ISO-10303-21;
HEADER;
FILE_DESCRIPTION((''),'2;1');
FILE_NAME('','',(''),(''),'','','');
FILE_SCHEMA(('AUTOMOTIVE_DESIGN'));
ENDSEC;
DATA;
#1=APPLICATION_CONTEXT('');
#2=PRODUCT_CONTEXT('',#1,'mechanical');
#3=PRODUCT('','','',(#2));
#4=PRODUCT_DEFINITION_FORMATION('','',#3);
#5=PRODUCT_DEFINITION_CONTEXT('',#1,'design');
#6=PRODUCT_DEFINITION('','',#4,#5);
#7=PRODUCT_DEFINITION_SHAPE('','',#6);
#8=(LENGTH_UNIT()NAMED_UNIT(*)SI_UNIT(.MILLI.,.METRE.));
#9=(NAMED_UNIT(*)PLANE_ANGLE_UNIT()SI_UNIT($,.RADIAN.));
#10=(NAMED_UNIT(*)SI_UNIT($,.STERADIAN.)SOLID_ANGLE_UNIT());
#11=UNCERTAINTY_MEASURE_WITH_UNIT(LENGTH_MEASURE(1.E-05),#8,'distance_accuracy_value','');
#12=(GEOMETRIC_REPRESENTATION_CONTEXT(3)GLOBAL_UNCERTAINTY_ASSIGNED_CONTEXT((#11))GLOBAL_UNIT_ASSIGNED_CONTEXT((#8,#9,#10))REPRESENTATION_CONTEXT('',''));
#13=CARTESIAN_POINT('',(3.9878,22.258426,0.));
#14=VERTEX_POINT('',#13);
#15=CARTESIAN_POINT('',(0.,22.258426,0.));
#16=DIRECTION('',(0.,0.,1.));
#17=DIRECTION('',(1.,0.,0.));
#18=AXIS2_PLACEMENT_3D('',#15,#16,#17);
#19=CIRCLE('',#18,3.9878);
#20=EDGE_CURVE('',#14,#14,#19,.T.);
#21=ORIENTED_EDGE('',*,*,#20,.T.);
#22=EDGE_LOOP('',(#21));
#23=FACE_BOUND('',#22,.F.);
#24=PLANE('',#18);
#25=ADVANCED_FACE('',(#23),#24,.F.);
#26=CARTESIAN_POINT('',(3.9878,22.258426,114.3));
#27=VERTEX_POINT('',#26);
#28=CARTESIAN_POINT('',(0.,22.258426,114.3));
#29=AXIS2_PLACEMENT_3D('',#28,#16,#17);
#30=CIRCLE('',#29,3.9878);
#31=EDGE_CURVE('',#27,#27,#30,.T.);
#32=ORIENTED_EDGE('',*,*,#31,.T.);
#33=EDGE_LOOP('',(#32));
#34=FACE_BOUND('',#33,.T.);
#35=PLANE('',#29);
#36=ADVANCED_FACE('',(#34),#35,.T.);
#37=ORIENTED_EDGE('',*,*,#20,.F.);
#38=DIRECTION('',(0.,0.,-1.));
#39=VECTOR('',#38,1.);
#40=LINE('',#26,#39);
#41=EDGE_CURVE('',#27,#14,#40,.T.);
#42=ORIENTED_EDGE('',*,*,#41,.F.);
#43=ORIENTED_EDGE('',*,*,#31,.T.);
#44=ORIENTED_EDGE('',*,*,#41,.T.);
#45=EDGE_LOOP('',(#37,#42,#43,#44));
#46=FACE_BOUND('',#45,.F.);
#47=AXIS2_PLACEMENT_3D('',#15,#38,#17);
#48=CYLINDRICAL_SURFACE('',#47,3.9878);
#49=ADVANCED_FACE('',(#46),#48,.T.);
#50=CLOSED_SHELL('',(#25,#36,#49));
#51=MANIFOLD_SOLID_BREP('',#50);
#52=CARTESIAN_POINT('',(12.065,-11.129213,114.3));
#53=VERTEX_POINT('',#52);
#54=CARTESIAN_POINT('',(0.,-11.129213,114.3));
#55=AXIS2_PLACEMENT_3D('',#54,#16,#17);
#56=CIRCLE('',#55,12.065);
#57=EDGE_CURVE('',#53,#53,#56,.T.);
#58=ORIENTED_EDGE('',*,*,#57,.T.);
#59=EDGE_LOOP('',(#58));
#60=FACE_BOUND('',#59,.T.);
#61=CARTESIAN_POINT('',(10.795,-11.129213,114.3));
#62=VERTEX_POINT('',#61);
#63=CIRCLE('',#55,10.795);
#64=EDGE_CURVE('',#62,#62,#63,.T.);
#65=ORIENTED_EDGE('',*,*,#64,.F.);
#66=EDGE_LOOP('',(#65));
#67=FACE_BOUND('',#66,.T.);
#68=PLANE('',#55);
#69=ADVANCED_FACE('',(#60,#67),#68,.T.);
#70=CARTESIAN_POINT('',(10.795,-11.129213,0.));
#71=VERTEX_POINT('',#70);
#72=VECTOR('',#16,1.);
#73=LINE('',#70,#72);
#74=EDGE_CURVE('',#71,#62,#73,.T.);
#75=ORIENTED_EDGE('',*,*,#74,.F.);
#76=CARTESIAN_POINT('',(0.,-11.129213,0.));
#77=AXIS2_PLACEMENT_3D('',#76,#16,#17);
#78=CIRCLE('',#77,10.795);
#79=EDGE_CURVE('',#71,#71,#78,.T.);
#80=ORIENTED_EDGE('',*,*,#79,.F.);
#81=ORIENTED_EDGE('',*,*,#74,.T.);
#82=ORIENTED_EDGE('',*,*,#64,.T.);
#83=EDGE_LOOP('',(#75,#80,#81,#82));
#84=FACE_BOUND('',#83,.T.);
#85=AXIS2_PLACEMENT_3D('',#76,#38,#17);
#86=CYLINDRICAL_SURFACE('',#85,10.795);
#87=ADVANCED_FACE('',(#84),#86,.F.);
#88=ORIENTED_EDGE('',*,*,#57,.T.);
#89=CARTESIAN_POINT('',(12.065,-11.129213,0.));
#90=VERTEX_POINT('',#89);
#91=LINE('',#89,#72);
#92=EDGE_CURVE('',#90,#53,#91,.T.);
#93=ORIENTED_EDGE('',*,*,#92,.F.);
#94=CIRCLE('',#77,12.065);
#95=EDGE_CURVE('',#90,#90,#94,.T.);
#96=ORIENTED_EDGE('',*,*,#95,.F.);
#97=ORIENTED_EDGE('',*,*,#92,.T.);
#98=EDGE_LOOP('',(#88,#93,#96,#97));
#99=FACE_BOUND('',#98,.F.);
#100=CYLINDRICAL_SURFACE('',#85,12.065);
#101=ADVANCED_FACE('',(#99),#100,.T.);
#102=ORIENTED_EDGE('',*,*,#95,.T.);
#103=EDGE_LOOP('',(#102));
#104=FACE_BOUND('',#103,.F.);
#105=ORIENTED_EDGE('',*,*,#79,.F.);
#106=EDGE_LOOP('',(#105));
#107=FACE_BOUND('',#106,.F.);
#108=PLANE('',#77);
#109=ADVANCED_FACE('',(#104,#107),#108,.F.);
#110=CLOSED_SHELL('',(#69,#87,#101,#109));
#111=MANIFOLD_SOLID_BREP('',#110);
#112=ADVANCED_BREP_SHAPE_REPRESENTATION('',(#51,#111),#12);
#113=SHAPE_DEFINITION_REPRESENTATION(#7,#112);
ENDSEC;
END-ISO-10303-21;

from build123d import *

# Parameters (mm, degrees)
F0_R      = 3.9878
F1_DEPTH  = 107.95
F0_R_2    = 12.065
F0_R_3    = 10.795
F1_FACE_R = 3.9878
F2_DEPTH  = 114.3


with BuildPart() as f1:
    # F0 (on Top) → F1 (new body)
    with BuildSketch(Plane.XY):
        with Locations((0, 22.2584257233)):
            Circle(F0_R)
    extrude(amount=F1_DEPTH)

    # F0 (on Top) + F1_face (on face) → F2 (join)
    with BuildSketch(Plane.XY):
        with Locations((0, -11.1292128617)):
            Circle(F0_R_2)
        with Locations((0, -11.1292128617)):
            Circle(F0_R_3, mode=Mode.SUBTRACT)
        with Locations((0, 22.2584257233)):
            Circle(F0_R)
    with BuildSketch(Plane(origin=(0, 22.2584257233, 0), x_dir=(1, 0, 0), z_dir=(0, 0, -1))):
        Circle(F1_FACE_R)
    extrude(amount=F2_DEPTH, dir=(0, 0, 1))


solid = f1.part
